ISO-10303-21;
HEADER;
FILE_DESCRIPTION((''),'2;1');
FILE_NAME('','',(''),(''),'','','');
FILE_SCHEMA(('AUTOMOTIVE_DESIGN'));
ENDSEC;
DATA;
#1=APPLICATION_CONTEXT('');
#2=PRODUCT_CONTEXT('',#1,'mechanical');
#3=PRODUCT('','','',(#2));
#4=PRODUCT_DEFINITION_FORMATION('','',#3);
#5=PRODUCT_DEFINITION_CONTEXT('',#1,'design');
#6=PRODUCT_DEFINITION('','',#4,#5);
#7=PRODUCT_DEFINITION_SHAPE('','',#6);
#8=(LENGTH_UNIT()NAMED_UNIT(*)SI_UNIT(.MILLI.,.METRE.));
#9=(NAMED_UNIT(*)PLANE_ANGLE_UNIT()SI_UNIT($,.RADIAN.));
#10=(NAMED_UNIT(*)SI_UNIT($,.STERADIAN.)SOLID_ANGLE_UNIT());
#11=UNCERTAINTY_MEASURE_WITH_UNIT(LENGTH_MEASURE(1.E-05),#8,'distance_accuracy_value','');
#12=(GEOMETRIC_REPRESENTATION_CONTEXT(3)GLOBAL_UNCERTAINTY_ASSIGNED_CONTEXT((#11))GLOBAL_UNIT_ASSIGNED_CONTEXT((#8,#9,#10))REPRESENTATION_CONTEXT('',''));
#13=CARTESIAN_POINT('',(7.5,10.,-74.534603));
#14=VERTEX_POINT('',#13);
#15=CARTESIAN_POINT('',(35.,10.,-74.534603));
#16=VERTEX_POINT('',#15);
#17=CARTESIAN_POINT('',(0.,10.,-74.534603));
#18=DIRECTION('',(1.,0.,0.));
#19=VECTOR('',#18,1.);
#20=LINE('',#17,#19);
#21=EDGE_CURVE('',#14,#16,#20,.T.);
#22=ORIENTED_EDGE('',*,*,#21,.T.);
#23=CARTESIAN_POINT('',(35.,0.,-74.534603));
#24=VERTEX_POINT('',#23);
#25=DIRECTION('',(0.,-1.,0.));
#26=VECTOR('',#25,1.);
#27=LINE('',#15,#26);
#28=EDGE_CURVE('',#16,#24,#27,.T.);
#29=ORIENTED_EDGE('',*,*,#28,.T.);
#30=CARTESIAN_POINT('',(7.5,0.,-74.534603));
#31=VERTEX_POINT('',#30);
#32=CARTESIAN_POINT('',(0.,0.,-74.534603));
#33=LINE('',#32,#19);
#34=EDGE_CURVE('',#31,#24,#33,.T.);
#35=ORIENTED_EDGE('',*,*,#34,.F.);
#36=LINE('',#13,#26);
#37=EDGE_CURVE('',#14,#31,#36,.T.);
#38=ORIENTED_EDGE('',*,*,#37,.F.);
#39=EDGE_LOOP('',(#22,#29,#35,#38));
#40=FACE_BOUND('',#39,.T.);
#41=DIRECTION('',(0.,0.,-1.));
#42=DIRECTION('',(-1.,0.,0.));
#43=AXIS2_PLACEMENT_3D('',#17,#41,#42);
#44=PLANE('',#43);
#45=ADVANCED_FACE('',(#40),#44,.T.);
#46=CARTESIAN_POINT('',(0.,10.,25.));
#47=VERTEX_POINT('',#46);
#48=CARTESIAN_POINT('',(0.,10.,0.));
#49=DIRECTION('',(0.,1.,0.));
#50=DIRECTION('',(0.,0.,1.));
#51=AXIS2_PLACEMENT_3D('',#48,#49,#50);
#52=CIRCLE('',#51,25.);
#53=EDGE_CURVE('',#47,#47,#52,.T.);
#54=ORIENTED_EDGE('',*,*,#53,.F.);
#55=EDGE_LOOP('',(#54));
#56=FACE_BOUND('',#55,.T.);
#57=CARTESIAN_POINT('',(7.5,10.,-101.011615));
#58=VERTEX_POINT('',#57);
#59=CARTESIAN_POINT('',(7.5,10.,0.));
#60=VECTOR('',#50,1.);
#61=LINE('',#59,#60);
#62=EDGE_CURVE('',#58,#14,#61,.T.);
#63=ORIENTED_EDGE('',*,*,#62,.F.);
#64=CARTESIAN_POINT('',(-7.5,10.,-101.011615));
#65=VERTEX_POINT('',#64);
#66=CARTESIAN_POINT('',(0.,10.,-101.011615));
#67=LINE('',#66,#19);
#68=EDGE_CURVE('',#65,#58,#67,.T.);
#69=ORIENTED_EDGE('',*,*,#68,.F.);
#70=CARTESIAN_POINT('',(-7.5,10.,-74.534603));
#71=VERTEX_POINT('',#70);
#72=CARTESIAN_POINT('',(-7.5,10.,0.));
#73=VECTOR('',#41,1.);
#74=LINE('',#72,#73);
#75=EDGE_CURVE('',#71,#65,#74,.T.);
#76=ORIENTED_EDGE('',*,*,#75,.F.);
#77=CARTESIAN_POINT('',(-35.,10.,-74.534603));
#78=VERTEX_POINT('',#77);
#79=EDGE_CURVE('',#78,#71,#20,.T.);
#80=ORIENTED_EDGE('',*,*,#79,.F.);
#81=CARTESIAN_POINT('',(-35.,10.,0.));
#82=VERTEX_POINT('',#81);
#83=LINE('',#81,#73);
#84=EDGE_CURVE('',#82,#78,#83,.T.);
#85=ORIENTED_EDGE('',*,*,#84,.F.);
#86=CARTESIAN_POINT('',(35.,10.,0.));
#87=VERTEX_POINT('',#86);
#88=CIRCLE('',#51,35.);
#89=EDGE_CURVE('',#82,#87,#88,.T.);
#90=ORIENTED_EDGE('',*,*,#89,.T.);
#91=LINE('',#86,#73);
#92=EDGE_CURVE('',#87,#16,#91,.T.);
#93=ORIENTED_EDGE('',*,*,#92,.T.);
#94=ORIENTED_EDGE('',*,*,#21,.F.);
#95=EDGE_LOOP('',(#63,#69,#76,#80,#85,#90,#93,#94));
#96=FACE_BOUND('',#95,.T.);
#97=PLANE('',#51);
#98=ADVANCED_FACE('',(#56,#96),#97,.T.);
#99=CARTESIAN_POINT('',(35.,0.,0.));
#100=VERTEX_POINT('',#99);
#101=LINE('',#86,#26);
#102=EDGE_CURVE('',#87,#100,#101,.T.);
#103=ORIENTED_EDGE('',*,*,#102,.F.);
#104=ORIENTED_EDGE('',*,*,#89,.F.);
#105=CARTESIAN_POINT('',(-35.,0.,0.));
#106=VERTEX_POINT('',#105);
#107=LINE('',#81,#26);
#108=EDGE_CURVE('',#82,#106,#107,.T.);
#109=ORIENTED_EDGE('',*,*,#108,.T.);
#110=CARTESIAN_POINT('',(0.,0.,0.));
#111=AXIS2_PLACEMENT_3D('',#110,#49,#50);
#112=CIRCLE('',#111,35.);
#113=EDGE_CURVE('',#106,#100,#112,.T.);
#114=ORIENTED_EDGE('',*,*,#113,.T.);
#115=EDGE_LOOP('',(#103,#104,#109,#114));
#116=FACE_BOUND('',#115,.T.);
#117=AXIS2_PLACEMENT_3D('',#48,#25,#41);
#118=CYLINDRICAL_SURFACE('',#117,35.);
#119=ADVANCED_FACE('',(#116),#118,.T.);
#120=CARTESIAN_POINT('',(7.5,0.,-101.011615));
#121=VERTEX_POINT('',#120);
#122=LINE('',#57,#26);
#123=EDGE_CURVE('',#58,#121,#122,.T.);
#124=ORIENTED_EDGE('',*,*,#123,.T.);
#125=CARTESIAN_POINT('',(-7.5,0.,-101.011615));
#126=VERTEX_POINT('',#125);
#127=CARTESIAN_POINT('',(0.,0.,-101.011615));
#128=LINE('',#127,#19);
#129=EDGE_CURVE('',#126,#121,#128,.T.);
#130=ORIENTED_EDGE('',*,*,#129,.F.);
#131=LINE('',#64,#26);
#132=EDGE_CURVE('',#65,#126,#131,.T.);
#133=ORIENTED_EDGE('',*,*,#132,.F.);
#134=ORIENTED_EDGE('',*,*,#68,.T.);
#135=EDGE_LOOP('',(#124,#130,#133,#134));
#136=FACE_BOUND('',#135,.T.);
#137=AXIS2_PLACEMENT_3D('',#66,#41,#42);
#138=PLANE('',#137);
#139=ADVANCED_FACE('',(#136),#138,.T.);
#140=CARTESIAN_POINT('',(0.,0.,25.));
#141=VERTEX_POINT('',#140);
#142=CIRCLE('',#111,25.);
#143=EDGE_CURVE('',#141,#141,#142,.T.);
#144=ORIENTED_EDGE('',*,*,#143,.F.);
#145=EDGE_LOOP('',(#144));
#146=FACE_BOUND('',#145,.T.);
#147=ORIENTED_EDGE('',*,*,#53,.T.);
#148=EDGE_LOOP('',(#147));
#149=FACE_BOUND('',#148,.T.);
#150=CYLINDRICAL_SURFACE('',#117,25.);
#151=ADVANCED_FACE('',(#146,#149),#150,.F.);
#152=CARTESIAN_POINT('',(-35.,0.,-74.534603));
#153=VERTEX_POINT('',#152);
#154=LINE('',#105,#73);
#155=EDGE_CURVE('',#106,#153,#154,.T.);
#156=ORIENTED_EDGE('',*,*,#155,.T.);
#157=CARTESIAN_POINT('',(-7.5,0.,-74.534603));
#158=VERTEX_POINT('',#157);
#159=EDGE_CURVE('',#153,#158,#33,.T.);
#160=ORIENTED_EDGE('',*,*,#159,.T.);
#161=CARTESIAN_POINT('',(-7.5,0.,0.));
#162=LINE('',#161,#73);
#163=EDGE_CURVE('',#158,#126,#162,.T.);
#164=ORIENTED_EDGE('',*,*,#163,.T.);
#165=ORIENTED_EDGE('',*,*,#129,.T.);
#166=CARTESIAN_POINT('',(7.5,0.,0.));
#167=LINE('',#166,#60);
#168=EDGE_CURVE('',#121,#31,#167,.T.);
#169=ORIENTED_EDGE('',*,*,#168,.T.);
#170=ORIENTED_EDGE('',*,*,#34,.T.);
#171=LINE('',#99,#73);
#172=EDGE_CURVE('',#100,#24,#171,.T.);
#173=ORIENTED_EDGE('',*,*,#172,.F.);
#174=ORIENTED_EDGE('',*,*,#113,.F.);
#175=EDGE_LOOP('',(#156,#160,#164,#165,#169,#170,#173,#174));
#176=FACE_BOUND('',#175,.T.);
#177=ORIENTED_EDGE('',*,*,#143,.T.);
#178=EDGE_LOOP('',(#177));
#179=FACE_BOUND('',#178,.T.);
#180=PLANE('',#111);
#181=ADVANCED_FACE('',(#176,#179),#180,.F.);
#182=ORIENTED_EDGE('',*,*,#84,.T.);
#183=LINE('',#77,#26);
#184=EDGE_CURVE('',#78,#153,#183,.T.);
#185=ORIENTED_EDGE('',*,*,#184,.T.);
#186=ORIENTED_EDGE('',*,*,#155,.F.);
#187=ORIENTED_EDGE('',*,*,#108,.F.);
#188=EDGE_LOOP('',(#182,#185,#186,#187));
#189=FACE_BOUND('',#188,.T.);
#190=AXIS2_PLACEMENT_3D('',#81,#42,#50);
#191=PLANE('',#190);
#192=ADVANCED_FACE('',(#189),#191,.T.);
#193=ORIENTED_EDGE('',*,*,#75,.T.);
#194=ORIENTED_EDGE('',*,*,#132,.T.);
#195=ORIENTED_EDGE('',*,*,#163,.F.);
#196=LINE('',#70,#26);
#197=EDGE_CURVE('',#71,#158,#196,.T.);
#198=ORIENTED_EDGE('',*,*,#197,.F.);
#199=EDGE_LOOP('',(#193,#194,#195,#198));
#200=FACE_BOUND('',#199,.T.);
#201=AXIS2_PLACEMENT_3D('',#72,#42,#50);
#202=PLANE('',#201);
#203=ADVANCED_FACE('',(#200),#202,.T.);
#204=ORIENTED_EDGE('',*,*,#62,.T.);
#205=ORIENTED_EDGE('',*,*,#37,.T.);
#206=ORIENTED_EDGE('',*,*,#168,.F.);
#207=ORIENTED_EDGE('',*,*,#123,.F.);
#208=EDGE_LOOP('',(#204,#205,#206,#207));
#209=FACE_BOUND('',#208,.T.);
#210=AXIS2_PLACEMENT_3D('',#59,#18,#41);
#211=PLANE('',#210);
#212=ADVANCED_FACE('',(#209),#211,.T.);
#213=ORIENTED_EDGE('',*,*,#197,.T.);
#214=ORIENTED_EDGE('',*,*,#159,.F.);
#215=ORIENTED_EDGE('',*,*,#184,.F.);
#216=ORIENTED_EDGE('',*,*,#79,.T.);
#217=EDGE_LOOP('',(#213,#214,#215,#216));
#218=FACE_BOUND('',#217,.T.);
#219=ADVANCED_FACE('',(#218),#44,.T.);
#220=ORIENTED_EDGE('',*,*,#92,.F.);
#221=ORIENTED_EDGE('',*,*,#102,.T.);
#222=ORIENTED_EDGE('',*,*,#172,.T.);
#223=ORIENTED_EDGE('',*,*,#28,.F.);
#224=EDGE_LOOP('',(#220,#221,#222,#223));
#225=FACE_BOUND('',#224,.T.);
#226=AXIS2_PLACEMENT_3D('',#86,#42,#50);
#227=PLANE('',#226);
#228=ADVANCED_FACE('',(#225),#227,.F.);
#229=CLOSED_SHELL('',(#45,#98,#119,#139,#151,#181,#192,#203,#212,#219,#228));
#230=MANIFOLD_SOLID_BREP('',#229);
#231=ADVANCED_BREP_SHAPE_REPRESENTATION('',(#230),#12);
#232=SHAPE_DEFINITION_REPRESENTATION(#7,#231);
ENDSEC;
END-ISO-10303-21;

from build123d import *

# Parameters (mm, degrees)
SKETCH1_R           = 25
BOSS_EXTRUDE2_DEPTH = 10


with BuildPart() as part:
    # Sketch1 → Boss-Extrude2 (new body)
    with BuildSketch(Plane(origin=(0, 0, 0), x_dir=(1, 0, 0), z_dir=(0, 1, 0))):
        with BuildLine():
            Line((-35, 74.53460287), (-35, 0))
            ThreePointArc((-35, 0), (0, -35), (35, 0))
            Line((35, 0), (35, 74.53460287))
            Line((35, 74.53460287), (7.5, 74.53460287))
            Line((7.5, 74.53460287), (7.5, 101.011615082))
            Line((7.5, 101.011615082), (-7.5, 101.011615082))
            Line((-7.5, 101.011615082), (-7.5, 74.53460287))
            Line((-7.5, 74.53460287), (-35, 74.53460287))
        make_face()
        Circle(SKETCH1_R, mode=Mode.SUBTRACT)
    extrude(amount=BOSS_EXTRUDE2_DEPTH)


solid = part.part
